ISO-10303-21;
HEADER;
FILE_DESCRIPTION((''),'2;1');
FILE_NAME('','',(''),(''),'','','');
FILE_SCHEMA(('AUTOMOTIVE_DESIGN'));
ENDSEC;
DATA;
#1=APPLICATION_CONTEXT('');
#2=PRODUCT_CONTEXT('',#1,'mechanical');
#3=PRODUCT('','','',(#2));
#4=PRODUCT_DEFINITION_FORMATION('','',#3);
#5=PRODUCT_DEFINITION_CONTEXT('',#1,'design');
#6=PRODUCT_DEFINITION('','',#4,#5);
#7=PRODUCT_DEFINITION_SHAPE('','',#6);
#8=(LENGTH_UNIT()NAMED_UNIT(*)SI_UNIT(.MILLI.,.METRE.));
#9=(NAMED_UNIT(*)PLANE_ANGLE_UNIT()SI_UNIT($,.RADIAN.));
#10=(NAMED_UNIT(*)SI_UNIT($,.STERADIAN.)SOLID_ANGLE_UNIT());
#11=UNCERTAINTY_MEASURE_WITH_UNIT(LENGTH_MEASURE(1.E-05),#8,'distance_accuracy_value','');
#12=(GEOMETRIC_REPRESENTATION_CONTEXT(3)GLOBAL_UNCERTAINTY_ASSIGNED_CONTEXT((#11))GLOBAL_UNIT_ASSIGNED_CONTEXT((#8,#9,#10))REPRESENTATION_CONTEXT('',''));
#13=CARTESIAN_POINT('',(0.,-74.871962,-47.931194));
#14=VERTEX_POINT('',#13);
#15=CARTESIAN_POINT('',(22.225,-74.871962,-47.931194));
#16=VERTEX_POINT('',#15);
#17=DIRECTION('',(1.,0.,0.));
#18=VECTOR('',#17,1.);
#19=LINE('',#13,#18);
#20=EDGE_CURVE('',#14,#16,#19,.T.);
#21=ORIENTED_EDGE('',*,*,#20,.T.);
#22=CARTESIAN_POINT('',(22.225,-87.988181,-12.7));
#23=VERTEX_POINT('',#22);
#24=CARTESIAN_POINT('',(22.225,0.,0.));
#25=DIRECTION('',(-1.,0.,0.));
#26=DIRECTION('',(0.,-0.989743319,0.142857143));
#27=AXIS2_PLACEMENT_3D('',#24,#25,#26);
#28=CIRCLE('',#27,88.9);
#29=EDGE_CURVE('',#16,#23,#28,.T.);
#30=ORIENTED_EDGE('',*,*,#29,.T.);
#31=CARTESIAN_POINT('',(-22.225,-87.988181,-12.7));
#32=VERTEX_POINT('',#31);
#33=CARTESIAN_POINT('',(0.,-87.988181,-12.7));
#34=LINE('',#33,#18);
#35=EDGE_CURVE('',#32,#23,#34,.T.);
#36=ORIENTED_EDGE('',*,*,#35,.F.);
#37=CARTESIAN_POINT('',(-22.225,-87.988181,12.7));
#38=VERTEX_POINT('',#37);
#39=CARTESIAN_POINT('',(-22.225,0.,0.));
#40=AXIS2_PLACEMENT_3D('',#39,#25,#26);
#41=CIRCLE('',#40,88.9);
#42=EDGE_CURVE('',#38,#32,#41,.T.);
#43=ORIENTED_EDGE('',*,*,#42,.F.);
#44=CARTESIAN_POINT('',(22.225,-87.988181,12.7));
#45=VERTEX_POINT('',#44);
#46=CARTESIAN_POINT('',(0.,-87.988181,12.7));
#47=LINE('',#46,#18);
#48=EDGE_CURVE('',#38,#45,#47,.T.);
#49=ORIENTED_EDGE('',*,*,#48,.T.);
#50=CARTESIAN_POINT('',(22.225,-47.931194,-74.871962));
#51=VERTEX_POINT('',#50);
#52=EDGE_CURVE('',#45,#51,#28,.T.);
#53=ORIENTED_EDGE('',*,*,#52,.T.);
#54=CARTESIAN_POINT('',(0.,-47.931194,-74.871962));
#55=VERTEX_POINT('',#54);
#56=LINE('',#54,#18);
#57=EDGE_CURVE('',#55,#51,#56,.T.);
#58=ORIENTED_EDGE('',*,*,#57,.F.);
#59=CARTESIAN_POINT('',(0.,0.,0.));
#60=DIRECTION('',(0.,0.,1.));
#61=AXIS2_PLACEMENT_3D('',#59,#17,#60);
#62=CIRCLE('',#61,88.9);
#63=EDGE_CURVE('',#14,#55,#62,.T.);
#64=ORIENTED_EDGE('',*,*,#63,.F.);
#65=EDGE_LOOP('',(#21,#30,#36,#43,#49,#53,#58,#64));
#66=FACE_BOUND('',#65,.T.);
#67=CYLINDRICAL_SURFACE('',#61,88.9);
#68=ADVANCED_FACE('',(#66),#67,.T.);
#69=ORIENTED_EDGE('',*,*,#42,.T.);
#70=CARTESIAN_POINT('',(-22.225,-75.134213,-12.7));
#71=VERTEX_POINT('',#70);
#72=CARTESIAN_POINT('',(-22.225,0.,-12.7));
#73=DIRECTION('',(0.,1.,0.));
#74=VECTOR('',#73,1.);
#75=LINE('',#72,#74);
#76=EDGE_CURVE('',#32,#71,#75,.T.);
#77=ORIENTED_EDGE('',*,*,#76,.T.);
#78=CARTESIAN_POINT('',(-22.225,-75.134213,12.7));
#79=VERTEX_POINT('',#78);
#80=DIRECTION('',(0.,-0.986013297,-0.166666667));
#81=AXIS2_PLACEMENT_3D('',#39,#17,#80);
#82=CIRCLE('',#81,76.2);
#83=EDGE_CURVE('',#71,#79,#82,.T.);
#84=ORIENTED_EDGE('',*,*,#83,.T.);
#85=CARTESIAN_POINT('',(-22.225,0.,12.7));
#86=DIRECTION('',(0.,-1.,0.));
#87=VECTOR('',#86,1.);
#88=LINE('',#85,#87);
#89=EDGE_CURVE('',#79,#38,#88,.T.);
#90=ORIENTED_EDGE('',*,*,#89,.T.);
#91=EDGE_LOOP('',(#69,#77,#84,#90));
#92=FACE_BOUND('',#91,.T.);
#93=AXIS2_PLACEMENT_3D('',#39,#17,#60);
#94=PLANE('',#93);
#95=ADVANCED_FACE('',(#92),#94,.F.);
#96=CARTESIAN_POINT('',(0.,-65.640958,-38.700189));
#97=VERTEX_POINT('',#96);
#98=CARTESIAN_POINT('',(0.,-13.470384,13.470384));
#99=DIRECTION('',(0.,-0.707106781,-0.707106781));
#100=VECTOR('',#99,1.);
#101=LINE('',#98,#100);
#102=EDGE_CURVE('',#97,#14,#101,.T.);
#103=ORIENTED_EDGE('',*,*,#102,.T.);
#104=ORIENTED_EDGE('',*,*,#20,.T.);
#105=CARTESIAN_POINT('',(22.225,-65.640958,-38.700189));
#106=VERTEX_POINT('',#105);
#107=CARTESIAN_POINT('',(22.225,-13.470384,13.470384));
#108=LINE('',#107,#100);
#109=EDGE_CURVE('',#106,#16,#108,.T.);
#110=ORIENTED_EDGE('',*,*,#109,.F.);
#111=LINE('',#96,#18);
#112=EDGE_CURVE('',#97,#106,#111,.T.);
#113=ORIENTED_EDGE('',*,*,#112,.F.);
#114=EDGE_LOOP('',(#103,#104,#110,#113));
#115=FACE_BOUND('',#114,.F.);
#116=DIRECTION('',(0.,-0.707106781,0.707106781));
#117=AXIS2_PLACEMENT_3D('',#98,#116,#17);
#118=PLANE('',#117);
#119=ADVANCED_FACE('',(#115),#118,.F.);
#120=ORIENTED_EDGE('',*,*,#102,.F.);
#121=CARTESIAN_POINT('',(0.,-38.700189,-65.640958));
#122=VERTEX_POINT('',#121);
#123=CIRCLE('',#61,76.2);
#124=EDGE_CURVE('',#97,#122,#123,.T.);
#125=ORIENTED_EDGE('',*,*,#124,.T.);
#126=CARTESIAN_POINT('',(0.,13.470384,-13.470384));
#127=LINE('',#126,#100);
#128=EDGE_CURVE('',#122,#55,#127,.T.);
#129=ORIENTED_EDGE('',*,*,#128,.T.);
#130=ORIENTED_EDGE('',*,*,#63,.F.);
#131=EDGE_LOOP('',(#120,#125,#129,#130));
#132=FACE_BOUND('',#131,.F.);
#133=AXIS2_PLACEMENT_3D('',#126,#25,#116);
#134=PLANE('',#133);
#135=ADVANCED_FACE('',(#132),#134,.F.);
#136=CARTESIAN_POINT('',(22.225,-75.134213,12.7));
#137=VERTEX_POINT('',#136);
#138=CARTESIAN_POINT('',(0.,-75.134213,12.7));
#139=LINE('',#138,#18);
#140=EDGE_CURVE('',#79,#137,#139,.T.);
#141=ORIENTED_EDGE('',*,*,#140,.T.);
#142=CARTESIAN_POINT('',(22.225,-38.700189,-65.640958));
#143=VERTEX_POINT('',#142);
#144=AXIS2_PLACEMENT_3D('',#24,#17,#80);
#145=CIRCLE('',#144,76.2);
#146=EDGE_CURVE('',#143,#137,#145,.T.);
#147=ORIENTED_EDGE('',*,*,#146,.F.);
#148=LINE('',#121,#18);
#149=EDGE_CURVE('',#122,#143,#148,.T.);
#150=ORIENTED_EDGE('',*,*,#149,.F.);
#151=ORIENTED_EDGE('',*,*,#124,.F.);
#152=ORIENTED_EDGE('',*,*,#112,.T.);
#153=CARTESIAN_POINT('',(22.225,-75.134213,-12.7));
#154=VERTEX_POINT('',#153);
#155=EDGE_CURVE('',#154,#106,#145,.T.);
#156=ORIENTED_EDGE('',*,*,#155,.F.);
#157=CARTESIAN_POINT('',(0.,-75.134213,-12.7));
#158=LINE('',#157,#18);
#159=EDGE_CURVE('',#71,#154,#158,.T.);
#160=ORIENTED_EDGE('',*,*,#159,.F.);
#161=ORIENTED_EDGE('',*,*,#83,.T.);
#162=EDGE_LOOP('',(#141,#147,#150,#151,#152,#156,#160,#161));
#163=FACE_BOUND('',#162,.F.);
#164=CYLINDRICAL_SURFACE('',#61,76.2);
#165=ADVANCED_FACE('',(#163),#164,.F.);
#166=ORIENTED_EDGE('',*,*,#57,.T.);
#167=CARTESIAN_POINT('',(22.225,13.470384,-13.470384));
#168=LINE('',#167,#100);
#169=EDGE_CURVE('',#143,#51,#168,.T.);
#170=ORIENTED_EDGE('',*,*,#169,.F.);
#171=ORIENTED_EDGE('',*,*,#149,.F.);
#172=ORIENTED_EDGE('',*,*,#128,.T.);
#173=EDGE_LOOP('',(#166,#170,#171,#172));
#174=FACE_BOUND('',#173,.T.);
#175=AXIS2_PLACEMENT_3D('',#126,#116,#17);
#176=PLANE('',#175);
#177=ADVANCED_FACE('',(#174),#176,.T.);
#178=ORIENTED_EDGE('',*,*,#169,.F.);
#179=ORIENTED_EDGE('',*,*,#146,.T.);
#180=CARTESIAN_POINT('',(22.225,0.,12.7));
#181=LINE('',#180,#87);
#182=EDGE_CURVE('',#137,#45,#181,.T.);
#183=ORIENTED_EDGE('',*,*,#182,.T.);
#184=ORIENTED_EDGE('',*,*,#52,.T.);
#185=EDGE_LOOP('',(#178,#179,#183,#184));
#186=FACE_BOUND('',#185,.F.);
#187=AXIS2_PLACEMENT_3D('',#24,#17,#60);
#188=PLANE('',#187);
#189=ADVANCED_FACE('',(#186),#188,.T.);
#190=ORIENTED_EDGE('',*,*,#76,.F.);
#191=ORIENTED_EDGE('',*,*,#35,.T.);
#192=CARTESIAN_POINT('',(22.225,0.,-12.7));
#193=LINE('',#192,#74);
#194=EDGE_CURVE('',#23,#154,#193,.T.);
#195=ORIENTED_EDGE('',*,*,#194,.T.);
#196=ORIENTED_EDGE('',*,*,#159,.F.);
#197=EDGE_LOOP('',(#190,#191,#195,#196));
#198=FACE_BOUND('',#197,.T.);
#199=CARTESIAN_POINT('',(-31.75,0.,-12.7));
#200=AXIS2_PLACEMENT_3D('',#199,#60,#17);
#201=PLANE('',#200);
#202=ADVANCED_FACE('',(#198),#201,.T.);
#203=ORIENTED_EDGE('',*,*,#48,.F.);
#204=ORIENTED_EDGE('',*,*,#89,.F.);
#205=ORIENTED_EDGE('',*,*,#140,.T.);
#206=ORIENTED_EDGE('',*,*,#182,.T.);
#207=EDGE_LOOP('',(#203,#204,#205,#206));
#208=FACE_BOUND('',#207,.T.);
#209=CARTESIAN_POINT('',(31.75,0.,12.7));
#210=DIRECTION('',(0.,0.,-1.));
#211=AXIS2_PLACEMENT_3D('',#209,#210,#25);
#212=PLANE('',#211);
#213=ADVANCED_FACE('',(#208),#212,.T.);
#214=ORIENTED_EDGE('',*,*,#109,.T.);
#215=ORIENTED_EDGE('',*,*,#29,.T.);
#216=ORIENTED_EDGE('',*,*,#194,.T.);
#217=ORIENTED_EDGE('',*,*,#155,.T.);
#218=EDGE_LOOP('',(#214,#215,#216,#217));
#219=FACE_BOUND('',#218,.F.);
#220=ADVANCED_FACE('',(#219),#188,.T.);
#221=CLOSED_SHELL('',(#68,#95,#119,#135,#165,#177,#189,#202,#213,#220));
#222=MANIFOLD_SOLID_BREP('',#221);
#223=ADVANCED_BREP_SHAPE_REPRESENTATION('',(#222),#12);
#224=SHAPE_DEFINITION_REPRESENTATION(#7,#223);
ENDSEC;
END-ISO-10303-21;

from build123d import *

# Parameters (mm, degrees)
F0_W     = 44.45
F0_H     = 12.7
F2_W     = 31.75
F2_H     = 25.4
F3_DEPTH = 88.901
F5_W     = 22.225
F5_H     = 38.1
F6_DEPTH = 125.0798323142


with BuildPart() as f1:
    # F0 (on Front) → F1 (revolve)
    with BuildSketch(Plane.XZ):
        with Locations((0, 82.55)):
            Rectangle(F0_W, F0_H)
    revolve(axis=Axis((0, 0, 0), (1, 0, 0)))

    # F2 (on Front) → F3 (cut, through all)
    with BuildSketch(Plane.XZ):
        with Locations((15.875, 0)):
            Rectangle(F2_W, F2_H)
        with Locations((-15.875, 0)):
            Rectangle(F2_W, F2_H)
    extrude(amount=F3_DEPTH, mode=Mode.SUBTRACT)

    # F5 (on face) → F6 (cut, through all)
    with BuildSketch(Plane(origin=(0, 0, 0), x_dir=(1, 0, 0), z_dir=(0, -0.7071067812, -0.7071067812))):
        with Locations((11.1125, 0)):
            Rectangle(F5_W, F5_H)
    extrude(amount=F6_DEPTH, mode=Mode.SUBTRACT)


solid = f1.part
